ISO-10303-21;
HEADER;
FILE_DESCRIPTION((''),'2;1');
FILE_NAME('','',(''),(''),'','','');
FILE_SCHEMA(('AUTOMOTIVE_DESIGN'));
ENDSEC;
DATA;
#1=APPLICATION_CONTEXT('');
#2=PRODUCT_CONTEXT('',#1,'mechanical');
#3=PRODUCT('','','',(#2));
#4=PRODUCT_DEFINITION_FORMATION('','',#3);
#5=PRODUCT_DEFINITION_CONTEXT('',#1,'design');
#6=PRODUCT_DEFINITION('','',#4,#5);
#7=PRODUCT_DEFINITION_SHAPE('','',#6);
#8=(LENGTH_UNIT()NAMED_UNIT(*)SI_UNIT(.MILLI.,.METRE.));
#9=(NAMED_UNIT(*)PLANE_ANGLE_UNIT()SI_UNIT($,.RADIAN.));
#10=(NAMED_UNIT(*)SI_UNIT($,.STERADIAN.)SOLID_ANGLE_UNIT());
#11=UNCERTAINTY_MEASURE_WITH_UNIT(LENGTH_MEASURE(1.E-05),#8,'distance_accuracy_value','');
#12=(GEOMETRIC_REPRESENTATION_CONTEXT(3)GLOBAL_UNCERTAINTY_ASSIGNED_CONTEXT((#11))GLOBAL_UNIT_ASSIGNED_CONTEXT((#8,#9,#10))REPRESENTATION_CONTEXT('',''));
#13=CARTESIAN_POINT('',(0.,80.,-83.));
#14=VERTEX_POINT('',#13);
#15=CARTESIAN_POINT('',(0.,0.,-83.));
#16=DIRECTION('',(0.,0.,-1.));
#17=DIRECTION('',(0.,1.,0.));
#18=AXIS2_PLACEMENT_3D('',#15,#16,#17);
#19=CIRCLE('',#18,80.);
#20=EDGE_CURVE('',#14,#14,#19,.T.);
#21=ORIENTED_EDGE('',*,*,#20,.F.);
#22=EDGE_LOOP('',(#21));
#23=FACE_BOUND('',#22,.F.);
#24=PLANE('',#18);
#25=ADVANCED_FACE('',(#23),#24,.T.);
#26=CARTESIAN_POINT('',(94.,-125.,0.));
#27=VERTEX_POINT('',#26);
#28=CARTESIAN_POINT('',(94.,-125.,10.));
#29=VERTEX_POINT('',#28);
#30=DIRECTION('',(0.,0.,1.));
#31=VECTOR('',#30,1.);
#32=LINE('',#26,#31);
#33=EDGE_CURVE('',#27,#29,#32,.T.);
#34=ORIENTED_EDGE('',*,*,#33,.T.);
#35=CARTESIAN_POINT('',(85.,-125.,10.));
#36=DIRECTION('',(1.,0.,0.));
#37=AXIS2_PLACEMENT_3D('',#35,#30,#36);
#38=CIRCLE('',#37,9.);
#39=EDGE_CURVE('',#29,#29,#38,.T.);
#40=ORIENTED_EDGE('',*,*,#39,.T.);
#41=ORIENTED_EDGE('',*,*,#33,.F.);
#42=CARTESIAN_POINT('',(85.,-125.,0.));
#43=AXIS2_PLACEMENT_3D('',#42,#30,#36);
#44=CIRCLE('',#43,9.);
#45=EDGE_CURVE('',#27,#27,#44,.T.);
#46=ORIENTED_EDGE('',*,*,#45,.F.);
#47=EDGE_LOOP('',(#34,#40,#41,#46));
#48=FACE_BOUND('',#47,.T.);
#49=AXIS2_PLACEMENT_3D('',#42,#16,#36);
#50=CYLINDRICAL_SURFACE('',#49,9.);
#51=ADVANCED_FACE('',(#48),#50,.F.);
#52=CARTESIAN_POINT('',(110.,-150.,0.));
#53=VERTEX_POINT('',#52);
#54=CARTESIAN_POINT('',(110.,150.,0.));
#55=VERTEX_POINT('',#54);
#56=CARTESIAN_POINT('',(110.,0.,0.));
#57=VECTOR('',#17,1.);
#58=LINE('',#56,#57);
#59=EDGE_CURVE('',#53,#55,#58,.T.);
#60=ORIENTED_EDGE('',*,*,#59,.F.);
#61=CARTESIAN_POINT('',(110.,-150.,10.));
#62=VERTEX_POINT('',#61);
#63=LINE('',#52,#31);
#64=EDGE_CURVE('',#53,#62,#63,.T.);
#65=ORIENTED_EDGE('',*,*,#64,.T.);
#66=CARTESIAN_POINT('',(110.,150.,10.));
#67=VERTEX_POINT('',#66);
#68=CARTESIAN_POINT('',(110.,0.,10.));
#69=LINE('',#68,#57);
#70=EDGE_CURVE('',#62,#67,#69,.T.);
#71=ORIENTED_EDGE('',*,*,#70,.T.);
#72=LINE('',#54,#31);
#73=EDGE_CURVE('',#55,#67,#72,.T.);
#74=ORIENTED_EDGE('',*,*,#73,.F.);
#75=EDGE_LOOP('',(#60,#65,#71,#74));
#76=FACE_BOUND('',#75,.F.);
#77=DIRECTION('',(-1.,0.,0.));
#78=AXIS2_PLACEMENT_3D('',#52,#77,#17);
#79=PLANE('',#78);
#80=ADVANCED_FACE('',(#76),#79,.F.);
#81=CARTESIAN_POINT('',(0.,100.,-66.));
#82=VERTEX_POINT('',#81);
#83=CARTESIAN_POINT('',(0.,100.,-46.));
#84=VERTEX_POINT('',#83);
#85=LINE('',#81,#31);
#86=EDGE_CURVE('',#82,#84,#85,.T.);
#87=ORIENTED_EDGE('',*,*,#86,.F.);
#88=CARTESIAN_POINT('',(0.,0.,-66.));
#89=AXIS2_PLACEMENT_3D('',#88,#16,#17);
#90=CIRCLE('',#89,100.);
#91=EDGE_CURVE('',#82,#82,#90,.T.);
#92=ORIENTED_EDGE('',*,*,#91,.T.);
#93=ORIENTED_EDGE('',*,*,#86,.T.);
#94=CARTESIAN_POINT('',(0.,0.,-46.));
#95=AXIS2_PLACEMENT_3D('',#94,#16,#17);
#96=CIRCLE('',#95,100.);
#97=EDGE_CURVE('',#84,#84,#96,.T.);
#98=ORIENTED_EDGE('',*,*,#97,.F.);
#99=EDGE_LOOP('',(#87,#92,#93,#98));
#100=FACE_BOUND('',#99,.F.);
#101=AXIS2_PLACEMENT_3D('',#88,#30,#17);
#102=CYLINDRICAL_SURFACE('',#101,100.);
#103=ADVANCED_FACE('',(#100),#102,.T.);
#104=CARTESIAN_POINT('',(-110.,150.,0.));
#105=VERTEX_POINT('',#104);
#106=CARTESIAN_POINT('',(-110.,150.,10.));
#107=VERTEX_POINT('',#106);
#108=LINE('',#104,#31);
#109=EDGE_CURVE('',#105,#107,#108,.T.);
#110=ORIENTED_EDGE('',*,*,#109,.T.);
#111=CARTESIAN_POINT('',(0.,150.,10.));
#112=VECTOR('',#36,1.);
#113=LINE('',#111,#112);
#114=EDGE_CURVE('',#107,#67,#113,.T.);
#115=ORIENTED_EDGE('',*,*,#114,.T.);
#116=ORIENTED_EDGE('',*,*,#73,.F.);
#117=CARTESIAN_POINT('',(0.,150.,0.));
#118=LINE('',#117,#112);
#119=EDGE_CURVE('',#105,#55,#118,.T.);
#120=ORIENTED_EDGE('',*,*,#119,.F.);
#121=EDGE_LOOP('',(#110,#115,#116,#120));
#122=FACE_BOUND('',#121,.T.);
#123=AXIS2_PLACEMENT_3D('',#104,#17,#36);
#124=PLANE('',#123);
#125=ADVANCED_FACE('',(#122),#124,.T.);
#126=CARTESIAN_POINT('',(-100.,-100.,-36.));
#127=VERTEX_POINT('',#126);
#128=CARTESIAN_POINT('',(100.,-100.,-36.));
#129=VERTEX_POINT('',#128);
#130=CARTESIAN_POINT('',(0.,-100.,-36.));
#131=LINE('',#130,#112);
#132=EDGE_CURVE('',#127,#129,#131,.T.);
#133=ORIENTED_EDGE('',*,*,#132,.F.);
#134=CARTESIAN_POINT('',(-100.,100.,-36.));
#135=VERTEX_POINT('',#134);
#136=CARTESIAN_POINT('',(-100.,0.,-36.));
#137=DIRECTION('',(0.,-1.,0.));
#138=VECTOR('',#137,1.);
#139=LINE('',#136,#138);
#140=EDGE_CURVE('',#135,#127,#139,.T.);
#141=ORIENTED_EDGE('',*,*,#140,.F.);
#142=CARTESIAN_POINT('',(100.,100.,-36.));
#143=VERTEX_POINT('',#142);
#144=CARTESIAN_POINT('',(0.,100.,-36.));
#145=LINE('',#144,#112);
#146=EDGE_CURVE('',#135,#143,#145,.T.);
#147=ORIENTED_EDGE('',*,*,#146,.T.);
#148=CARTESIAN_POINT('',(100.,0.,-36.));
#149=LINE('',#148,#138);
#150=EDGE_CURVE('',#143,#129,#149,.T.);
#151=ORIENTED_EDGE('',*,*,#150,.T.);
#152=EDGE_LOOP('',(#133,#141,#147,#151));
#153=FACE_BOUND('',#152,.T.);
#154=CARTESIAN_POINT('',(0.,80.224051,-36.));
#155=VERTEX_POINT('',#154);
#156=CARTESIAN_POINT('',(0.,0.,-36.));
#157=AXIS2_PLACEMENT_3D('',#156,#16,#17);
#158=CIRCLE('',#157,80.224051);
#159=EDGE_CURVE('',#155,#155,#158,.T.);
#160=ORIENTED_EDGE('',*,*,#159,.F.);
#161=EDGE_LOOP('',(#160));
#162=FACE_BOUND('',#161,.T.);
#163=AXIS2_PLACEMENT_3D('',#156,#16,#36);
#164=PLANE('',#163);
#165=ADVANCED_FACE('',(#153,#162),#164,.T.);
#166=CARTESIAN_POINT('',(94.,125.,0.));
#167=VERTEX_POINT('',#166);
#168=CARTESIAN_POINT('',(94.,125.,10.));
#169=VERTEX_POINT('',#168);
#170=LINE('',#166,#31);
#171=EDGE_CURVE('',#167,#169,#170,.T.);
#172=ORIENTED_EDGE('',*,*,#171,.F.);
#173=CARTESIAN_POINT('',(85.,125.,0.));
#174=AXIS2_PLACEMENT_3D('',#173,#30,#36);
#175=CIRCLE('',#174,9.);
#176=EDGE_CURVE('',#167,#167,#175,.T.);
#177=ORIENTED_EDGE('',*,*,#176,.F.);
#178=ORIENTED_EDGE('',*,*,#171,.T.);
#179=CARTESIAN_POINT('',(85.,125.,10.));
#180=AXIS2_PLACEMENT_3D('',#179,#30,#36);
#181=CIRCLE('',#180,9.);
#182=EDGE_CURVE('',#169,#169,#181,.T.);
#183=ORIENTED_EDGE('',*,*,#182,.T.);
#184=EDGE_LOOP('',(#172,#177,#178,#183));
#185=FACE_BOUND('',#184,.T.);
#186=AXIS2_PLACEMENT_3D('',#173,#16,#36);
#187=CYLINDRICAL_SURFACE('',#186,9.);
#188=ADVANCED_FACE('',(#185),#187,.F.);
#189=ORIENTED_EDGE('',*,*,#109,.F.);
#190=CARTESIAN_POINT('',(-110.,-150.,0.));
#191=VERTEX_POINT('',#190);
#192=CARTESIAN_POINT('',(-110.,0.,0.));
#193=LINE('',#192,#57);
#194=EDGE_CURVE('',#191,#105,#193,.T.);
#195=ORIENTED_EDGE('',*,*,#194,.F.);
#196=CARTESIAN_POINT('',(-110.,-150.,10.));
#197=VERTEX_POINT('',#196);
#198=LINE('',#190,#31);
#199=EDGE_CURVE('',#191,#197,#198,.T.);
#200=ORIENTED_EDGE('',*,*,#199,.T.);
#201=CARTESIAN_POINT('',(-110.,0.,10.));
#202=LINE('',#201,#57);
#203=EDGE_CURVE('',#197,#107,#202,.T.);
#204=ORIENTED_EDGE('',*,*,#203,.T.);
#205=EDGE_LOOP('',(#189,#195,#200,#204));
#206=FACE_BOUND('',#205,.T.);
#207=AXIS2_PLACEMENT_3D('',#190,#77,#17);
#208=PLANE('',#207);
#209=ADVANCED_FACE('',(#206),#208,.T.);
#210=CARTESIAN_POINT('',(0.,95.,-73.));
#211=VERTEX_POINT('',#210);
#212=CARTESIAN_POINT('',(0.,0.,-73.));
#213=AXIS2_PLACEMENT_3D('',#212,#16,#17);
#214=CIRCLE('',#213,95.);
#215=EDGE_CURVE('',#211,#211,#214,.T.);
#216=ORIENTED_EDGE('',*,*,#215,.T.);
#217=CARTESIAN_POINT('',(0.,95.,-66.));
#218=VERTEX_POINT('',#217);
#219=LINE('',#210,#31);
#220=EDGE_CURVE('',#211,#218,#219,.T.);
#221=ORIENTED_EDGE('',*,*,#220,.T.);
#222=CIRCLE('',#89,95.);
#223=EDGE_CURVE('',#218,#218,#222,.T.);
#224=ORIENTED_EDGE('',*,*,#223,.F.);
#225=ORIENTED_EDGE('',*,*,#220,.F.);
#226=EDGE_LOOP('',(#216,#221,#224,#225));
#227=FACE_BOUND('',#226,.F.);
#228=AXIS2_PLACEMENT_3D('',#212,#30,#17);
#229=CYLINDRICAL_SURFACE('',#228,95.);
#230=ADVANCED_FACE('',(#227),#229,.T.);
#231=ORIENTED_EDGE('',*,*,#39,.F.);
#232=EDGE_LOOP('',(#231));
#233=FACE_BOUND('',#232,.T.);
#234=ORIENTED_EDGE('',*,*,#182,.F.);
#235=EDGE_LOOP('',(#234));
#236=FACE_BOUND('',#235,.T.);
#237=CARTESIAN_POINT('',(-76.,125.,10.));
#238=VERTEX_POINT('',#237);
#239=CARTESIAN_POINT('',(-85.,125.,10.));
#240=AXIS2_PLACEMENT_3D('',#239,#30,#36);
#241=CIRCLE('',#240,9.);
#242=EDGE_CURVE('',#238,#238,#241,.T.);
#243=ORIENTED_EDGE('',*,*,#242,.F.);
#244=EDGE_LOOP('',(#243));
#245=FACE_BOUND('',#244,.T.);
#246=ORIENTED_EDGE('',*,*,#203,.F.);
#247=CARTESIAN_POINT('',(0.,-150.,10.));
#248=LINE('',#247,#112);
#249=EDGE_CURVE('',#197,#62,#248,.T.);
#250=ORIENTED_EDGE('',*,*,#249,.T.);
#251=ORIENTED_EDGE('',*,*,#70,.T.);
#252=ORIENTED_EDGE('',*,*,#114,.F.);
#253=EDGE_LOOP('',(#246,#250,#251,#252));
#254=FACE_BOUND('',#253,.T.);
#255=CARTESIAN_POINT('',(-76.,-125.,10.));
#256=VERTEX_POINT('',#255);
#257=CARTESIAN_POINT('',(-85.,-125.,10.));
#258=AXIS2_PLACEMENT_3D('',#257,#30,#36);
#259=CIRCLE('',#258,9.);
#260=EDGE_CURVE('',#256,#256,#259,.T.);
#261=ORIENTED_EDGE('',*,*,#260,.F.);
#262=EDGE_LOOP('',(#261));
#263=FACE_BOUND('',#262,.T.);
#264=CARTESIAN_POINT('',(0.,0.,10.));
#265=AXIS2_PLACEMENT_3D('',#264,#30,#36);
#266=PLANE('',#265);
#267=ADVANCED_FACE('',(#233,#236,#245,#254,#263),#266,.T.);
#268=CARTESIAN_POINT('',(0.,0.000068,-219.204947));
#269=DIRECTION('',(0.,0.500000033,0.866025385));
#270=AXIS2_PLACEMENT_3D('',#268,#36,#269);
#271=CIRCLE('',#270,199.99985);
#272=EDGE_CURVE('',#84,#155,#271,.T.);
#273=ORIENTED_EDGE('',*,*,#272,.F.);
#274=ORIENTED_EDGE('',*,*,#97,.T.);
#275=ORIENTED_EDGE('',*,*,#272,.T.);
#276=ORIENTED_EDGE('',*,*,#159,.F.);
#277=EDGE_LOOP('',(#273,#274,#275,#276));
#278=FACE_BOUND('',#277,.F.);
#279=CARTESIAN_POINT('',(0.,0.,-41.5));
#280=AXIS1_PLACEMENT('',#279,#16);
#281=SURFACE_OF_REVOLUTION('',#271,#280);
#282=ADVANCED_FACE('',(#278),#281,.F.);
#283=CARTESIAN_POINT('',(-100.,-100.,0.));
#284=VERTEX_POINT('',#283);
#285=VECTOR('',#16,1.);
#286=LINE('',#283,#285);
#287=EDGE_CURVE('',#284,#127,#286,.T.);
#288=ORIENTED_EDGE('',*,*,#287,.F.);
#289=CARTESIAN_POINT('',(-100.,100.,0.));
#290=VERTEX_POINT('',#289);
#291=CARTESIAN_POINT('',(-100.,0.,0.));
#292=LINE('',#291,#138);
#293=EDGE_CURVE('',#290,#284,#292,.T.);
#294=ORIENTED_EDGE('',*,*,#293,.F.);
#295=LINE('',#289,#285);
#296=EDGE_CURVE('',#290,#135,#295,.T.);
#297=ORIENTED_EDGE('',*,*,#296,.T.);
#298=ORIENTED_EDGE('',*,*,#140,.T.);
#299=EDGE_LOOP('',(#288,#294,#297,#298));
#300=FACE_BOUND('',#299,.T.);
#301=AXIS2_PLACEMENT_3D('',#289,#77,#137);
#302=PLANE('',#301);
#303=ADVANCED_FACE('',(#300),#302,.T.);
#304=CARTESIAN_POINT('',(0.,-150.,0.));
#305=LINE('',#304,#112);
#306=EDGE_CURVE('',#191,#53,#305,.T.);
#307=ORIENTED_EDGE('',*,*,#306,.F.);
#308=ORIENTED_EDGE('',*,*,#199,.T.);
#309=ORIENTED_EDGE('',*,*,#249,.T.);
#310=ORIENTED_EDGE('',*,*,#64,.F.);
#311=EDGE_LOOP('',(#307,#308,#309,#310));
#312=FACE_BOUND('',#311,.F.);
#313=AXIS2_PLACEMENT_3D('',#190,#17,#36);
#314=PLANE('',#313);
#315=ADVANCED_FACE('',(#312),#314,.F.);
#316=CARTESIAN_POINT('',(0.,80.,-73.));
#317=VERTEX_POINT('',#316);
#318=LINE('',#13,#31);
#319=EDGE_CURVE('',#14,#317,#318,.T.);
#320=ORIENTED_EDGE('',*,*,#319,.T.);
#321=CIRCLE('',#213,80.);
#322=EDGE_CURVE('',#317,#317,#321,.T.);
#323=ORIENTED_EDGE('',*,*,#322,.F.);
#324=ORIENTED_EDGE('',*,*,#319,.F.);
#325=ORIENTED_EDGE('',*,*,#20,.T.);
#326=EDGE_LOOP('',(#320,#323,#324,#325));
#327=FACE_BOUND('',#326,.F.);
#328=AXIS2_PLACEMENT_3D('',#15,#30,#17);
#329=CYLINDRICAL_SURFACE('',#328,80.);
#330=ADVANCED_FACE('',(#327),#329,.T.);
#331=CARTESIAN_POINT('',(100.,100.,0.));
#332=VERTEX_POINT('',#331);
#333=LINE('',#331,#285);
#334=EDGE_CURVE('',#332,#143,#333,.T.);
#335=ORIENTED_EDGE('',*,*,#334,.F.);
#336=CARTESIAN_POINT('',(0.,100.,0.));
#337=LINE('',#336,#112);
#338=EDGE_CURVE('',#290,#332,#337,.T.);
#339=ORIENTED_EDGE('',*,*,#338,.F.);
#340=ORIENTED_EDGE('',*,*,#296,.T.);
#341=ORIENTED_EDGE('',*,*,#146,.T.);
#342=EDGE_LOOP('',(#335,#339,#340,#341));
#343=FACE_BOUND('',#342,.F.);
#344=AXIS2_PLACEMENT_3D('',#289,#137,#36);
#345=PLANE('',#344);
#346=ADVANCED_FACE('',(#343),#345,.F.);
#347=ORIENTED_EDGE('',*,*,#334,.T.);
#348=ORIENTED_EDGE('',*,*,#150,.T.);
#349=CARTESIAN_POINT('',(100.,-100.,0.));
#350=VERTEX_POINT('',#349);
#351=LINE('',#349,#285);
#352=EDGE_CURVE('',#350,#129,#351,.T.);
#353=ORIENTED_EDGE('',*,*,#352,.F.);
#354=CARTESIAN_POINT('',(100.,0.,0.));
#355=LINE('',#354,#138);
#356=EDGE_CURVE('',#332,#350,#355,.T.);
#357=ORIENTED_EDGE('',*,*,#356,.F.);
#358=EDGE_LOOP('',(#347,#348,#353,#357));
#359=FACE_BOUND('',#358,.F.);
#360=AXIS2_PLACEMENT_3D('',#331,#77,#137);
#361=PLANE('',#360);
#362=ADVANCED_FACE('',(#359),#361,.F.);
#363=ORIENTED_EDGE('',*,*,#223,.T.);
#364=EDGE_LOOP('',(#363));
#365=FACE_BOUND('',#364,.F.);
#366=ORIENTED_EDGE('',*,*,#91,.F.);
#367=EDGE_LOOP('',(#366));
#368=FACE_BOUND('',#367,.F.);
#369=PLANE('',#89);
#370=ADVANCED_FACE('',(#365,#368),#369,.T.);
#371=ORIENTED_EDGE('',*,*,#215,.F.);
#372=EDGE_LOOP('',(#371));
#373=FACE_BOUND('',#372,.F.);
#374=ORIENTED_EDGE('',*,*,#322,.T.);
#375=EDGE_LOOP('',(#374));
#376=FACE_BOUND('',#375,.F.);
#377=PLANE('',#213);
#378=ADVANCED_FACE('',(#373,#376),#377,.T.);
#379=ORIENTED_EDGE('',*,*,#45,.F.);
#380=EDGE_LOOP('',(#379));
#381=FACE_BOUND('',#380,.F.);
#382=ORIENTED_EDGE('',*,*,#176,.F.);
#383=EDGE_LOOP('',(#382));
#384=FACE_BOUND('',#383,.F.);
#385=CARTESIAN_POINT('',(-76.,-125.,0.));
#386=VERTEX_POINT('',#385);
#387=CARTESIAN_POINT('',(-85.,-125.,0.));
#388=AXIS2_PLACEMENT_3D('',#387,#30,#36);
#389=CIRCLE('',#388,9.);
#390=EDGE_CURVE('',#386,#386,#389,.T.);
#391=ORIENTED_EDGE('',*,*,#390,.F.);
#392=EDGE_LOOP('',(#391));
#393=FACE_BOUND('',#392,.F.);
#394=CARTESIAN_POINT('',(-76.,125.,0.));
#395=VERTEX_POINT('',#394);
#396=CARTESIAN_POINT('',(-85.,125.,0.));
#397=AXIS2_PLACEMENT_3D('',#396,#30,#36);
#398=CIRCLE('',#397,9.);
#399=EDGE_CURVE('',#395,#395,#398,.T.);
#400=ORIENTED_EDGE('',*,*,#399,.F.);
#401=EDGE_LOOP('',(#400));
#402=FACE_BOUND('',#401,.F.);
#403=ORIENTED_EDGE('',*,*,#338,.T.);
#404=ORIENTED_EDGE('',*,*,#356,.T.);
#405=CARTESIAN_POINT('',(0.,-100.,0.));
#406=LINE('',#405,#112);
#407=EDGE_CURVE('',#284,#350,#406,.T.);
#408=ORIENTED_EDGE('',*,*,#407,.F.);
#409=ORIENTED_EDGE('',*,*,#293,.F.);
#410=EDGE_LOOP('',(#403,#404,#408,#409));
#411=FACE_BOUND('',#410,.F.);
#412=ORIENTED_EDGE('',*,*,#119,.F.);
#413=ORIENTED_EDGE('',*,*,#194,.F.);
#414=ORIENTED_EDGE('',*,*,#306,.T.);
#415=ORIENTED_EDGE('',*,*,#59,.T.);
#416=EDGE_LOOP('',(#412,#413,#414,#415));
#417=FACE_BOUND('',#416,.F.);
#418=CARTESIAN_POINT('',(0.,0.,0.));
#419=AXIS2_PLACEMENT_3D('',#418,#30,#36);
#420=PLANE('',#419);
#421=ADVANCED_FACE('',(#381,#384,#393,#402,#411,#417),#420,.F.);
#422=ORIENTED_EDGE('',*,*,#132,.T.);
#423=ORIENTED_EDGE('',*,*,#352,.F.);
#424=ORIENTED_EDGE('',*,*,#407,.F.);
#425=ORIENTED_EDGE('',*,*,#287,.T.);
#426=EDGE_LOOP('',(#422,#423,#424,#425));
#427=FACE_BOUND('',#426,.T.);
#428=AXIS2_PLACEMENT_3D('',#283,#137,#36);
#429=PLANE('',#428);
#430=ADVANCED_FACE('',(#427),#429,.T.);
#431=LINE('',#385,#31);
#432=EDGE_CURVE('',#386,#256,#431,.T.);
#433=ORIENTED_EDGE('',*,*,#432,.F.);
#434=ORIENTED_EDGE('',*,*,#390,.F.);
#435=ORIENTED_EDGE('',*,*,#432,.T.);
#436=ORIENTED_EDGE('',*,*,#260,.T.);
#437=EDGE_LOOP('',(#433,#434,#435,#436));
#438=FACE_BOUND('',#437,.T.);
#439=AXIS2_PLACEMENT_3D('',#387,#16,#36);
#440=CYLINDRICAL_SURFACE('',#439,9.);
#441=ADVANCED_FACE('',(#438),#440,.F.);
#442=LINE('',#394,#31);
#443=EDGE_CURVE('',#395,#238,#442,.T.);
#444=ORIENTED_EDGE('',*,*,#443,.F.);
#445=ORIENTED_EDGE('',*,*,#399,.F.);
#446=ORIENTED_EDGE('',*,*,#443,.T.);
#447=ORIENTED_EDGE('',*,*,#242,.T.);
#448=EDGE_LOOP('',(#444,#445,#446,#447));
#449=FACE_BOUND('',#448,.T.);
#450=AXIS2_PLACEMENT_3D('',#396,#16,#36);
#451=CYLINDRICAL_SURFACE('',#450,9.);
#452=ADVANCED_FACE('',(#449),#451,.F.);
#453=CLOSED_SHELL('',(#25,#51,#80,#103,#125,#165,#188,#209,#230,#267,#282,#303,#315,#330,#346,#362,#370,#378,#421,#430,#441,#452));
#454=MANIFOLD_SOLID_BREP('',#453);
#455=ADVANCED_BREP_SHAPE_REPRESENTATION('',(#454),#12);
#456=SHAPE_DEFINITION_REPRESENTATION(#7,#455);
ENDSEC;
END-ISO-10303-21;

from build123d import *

# Parameters (mm, degrees)
F0_W     = 220
F0_H     = 300
F0_R     = 9
F1_DEPTH = 10
F2_W     = 200
F2_H     = 200
F3_DEPTH = 36


with BuildPart() as f1:
    # F0 (on Top) → F1 (new body)
    with BuildSketch(Plane.XY):
        Rectangle(F0_W, F0_H)
        with Locations((-85, -125)):
            Circle(F0_R, mode=Mode.SUBTRACT)
        with Locations((85, -125)):
            Circle(F0_R, mode=Mode.SUBTRACT)
        with Locations((-85, 125)):
            Circle(F0_R, mode=Mode.SUBTRACT)
        with Locations((85, 125)):
            Circle(F0_R, mode=Mode.SUBTRACT)
    extrude(amount=F1_DEPTH)

    # F2 (on face) → F3 (join)
    with BuildSketch(Plane(origin=(0, 0, 0), x_dir=(1, 0, 0), z_dir=(0, 0, -1))):
        Rectangle(F2_W, F2_H)
    extrude(amount=F3_DEPTH)

    # F4 (on Right) → F5 (revolve)
    with BuildSketch(Plane.YZ):
        with BuildLine():
            Line((100, -66), (100, -46))
            ThreePointArc((100, -46), (90.250635, -40.725886), (80.224051, -36))
            Line((80.224051, -36), (0, -36))
            Line((0, -36), (0, -83))
            Line((0, -83), (80, -83))
            Line((80, -83), (80, -73))
            Line((80, -73), (95, -73))
            Line((95, -73), (95, -66))
            Line((95, -66), (100, -66))
        make_face()
    revolve(axis=Axis((0, 0, -41.5), (0, 0, -1)))


solid = f1.part
